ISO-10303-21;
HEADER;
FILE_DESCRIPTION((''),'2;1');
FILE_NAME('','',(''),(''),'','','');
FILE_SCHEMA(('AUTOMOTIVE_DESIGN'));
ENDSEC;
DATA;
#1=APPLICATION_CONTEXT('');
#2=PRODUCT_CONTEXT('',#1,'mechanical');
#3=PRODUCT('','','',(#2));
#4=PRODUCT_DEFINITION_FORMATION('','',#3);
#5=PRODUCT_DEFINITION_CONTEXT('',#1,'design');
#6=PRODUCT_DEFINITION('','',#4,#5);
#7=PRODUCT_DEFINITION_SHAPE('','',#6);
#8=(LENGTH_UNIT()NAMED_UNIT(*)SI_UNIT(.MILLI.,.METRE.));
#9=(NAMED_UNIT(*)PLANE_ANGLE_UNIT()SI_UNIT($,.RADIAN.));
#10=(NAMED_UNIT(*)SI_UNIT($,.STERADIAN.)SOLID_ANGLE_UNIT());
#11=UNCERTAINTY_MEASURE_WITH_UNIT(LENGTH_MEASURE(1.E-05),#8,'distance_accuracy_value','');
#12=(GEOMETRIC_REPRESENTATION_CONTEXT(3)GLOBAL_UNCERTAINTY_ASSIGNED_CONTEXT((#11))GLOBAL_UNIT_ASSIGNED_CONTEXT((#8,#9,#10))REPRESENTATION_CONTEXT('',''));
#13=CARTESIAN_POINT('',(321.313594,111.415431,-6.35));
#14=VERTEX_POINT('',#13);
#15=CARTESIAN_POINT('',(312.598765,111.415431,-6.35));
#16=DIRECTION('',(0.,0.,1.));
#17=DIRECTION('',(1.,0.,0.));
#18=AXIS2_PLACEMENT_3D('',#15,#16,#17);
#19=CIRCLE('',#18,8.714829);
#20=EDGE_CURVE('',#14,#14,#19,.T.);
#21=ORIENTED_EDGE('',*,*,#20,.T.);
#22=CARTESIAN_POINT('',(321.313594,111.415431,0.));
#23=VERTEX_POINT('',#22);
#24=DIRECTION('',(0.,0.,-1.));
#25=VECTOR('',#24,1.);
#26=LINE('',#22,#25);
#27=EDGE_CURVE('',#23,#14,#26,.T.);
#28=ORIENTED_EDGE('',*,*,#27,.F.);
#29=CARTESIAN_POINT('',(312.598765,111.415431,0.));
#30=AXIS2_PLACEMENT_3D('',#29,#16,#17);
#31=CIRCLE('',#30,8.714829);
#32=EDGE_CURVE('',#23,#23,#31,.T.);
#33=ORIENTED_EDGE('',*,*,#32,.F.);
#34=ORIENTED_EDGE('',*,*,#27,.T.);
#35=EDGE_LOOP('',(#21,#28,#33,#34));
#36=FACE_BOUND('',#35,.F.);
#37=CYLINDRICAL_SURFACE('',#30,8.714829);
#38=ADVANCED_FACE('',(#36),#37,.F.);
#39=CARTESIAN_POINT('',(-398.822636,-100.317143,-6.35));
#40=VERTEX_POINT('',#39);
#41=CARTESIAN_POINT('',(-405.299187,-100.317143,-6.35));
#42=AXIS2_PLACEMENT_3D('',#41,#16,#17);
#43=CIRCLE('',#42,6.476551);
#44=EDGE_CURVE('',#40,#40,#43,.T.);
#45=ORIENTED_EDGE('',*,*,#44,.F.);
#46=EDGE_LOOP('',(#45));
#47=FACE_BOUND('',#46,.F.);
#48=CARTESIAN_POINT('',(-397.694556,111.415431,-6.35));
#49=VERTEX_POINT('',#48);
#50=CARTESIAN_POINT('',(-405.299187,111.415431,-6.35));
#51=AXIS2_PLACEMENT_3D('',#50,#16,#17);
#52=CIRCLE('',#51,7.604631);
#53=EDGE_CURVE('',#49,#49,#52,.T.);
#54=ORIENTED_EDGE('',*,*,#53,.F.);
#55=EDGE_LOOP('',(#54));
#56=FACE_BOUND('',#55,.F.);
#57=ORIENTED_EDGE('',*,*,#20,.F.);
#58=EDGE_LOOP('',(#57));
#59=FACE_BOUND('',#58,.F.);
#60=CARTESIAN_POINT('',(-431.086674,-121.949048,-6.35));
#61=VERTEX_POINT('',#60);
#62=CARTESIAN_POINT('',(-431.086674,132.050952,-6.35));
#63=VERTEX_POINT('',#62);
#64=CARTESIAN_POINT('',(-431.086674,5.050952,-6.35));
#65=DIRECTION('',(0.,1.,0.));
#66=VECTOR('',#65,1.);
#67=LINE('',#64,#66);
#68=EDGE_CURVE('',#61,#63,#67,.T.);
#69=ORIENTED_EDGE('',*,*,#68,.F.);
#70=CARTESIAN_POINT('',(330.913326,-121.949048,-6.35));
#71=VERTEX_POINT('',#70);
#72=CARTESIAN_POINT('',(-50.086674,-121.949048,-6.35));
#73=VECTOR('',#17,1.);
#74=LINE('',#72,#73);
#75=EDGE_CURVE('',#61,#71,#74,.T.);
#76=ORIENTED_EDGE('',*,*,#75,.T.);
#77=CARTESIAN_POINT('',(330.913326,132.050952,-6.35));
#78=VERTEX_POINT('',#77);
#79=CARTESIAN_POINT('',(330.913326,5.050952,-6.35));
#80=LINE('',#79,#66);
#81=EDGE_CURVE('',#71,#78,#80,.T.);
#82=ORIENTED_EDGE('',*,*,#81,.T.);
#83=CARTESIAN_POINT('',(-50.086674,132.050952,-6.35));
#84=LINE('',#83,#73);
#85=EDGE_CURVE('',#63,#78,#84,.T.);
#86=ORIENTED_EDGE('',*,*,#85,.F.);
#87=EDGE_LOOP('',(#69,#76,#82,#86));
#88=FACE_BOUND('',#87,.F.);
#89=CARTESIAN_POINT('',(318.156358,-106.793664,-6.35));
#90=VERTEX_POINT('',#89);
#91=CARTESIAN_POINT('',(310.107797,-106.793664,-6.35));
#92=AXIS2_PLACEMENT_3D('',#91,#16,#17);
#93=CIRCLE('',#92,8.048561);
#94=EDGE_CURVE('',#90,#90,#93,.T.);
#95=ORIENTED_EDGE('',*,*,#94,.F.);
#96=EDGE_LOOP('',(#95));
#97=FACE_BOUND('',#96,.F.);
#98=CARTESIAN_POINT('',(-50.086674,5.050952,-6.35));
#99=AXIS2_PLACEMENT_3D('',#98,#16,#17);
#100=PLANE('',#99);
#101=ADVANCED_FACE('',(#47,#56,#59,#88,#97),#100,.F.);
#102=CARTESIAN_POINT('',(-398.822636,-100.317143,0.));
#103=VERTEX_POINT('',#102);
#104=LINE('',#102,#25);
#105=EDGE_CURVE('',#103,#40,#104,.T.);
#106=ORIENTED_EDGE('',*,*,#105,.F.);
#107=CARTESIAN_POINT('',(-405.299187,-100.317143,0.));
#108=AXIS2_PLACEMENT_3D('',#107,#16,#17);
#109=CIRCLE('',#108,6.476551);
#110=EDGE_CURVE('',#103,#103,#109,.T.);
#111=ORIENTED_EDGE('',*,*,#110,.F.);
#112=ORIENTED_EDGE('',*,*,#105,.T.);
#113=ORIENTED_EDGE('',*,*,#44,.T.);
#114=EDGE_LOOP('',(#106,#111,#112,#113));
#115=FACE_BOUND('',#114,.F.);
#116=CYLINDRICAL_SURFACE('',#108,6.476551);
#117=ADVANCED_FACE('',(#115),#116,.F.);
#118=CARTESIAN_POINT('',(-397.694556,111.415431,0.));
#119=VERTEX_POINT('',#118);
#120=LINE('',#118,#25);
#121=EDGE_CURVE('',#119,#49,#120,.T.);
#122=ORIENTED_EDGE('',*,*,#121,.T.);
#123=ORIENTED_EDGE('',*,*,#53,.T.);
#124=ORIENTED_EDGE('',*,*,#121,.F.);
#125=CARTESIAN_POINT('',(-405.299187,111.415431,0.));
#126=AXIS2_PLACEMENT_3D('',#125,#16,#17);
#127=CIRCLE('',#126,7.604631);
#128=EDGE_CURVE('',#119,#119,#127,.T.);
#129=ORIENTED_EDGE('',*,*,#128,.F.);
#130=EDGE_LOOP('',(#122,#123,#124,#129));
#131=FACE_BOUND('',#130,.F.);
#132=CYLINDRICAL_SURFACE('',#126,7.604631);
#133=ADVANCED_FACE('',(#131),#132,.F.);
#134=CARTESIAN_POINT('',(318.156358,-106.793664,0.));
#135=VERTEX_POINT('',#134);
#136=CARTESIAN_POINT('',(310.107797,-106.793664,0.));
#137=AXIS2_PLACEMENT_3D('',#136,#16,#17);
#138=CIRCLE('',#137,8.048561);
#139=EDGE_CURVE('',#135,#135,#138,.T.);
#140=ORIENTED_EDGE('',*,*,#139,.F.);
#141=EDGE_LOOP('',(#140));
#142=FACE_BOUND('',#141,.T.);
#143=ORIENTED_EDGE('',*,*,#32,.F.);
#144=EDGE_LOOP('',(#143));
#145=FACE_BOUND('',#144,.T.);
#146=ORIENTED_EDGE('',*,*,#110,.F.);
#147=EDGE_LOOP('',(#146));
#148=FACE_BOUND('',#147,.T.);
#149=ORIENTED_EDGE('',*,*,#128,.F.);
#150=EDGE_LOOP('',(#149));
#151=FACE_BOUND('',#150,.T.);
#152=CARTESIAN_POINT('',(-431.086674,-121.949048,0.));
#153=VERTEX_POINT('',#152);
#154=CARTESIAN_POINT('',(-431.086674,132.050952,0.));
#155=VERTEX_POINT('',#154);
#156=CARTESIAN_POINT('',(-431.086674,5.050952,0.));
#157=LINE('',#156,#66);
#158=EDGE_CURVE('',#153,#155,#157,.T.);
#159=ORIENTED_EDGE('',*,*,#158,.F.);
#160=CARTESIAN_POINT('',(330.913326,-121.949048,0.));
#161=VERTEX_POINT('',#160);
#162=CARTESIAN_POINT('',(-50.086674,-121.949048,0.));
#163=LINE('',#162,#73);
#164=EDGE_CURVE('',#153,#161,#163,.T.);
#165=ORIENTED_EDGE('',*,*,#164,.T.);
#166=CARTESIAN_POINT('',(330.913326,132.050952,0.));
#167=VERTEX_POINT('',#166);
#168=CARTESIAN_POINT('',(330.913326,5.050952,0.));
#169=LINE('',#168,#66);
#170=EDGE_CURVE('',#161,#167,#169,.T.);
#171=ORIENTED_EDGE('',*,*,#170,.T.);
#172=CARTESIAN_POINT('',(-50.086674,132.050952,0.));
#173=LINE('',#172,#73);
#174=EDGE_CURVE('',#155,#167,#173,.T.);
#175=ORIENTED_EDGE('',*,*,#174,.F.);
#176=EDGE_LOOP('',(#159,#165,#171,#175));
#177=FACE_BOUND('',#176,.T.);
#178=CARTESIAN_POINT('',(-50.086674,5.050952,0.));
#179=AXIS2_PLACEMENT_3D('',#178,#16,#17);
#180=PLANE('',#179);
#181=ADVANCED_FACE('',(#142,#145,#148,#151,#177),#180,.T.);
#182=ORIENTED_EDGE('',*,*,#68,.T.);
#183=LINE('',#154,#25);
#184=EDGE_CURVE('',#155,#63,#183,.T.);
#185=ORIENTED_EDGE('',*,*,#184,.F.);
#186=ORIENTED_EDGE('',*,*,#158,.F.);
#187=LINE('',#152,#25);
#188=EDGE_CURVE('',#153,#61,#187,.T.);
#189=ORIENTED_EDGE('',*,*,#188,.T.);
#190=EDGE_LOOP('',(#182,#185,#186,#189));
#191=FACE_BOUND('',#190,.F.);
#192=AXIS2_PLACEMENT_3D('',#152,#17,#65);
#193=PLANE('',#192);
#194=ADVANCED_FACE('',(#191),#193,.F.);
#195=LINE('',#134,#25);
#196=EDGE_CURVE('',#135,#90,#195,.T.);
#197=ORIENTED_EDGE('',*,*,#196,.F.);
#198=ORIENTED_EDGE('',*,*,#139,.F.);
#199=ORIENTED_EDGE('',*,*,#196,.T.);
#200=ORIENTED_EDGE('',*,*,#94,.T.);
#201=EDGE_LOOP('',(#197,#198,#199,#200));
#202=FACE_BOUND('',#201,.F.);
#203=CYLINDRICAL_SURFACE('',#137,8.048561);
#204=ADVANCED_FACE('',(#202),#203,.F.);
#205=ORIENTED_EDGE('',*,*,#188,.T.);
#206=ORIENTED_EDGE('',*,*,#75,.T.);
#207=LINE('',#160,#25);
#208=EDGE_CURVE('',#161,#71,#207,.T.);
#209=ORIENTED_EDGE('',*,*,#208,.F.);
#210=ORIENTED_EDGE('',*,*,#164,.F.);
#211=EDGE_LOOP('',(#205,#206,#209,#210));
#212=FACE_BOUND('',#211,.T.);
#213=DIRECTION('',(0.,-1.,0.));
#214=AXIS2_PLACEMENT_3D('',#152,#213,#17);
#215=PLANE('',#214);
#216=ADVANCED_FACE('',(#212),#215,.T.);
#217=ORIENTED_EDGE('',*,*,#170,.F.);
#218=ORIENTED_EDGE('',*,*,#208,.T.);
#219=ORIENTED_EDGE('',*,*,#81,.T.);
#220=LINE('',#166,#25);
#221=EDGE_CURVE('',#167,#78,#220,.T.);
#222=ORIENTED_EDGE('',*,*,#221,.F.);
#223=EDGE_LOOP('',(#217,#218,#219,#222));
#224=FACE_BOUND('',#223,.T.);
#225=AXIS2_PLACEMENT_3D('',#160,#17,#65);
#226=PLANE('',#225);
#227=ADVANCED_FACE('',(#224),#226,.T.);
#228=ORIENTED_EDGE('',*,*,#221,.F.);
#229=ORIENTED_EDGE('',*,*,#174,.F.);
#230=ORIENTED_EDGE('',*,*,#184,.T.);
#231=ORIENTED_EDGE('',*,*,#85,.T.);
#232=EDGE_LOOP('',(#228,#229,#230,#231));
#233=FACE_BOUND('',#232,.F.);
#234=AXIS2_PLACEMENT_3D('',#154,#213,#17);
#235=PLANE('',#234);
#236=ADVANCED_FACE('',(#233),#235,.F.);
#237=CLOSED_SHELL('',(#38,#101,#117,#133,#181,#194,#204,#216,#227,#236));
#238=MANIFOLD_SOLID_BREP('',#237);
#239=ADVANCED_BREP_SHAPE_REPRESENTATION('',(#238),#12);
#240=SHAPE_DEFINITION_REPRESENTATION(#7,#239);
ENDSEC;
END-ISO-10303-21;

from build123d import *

# Parameters (mm, degrees)
F0_W     = 762
F0_H     = 254
F1_DEPTH = 6.35
F2_R     = 7.604631
F2_R_2   = 6.476551
F2_R_3   = 8.048561
F2_R_4   = 8.714829
F3_DEPTH = 25.4


with BuildPart() as f1:
    # F0 (on Top) → F1 (new body)
    with BuildSketch(Plane.XY):
        with Locations((-50.086674, 5.050952)):
            Rectangle(F0_W, F0_H)
    extrude(amount=-F1_DEPTH)

    # F2 (on face) → F3 (cut)
    with BuildSketch(Plane.XY):
        with Locations((-405.299187, 111.415431)):
            Circle(F2_R)
        with Locations((-405.299187, -100.317143)):
            Circle(F2_R_2)
        with Locations((310.107797, -106.793664)):
            Circle(F2_R_3)
        with Locations((312.598765, 111.415431)):
            Circle(F2_R_4)
    extrude(amount=-F3_DEPTH, mode=Mode.SUBTRACT)


solid = f1.part
